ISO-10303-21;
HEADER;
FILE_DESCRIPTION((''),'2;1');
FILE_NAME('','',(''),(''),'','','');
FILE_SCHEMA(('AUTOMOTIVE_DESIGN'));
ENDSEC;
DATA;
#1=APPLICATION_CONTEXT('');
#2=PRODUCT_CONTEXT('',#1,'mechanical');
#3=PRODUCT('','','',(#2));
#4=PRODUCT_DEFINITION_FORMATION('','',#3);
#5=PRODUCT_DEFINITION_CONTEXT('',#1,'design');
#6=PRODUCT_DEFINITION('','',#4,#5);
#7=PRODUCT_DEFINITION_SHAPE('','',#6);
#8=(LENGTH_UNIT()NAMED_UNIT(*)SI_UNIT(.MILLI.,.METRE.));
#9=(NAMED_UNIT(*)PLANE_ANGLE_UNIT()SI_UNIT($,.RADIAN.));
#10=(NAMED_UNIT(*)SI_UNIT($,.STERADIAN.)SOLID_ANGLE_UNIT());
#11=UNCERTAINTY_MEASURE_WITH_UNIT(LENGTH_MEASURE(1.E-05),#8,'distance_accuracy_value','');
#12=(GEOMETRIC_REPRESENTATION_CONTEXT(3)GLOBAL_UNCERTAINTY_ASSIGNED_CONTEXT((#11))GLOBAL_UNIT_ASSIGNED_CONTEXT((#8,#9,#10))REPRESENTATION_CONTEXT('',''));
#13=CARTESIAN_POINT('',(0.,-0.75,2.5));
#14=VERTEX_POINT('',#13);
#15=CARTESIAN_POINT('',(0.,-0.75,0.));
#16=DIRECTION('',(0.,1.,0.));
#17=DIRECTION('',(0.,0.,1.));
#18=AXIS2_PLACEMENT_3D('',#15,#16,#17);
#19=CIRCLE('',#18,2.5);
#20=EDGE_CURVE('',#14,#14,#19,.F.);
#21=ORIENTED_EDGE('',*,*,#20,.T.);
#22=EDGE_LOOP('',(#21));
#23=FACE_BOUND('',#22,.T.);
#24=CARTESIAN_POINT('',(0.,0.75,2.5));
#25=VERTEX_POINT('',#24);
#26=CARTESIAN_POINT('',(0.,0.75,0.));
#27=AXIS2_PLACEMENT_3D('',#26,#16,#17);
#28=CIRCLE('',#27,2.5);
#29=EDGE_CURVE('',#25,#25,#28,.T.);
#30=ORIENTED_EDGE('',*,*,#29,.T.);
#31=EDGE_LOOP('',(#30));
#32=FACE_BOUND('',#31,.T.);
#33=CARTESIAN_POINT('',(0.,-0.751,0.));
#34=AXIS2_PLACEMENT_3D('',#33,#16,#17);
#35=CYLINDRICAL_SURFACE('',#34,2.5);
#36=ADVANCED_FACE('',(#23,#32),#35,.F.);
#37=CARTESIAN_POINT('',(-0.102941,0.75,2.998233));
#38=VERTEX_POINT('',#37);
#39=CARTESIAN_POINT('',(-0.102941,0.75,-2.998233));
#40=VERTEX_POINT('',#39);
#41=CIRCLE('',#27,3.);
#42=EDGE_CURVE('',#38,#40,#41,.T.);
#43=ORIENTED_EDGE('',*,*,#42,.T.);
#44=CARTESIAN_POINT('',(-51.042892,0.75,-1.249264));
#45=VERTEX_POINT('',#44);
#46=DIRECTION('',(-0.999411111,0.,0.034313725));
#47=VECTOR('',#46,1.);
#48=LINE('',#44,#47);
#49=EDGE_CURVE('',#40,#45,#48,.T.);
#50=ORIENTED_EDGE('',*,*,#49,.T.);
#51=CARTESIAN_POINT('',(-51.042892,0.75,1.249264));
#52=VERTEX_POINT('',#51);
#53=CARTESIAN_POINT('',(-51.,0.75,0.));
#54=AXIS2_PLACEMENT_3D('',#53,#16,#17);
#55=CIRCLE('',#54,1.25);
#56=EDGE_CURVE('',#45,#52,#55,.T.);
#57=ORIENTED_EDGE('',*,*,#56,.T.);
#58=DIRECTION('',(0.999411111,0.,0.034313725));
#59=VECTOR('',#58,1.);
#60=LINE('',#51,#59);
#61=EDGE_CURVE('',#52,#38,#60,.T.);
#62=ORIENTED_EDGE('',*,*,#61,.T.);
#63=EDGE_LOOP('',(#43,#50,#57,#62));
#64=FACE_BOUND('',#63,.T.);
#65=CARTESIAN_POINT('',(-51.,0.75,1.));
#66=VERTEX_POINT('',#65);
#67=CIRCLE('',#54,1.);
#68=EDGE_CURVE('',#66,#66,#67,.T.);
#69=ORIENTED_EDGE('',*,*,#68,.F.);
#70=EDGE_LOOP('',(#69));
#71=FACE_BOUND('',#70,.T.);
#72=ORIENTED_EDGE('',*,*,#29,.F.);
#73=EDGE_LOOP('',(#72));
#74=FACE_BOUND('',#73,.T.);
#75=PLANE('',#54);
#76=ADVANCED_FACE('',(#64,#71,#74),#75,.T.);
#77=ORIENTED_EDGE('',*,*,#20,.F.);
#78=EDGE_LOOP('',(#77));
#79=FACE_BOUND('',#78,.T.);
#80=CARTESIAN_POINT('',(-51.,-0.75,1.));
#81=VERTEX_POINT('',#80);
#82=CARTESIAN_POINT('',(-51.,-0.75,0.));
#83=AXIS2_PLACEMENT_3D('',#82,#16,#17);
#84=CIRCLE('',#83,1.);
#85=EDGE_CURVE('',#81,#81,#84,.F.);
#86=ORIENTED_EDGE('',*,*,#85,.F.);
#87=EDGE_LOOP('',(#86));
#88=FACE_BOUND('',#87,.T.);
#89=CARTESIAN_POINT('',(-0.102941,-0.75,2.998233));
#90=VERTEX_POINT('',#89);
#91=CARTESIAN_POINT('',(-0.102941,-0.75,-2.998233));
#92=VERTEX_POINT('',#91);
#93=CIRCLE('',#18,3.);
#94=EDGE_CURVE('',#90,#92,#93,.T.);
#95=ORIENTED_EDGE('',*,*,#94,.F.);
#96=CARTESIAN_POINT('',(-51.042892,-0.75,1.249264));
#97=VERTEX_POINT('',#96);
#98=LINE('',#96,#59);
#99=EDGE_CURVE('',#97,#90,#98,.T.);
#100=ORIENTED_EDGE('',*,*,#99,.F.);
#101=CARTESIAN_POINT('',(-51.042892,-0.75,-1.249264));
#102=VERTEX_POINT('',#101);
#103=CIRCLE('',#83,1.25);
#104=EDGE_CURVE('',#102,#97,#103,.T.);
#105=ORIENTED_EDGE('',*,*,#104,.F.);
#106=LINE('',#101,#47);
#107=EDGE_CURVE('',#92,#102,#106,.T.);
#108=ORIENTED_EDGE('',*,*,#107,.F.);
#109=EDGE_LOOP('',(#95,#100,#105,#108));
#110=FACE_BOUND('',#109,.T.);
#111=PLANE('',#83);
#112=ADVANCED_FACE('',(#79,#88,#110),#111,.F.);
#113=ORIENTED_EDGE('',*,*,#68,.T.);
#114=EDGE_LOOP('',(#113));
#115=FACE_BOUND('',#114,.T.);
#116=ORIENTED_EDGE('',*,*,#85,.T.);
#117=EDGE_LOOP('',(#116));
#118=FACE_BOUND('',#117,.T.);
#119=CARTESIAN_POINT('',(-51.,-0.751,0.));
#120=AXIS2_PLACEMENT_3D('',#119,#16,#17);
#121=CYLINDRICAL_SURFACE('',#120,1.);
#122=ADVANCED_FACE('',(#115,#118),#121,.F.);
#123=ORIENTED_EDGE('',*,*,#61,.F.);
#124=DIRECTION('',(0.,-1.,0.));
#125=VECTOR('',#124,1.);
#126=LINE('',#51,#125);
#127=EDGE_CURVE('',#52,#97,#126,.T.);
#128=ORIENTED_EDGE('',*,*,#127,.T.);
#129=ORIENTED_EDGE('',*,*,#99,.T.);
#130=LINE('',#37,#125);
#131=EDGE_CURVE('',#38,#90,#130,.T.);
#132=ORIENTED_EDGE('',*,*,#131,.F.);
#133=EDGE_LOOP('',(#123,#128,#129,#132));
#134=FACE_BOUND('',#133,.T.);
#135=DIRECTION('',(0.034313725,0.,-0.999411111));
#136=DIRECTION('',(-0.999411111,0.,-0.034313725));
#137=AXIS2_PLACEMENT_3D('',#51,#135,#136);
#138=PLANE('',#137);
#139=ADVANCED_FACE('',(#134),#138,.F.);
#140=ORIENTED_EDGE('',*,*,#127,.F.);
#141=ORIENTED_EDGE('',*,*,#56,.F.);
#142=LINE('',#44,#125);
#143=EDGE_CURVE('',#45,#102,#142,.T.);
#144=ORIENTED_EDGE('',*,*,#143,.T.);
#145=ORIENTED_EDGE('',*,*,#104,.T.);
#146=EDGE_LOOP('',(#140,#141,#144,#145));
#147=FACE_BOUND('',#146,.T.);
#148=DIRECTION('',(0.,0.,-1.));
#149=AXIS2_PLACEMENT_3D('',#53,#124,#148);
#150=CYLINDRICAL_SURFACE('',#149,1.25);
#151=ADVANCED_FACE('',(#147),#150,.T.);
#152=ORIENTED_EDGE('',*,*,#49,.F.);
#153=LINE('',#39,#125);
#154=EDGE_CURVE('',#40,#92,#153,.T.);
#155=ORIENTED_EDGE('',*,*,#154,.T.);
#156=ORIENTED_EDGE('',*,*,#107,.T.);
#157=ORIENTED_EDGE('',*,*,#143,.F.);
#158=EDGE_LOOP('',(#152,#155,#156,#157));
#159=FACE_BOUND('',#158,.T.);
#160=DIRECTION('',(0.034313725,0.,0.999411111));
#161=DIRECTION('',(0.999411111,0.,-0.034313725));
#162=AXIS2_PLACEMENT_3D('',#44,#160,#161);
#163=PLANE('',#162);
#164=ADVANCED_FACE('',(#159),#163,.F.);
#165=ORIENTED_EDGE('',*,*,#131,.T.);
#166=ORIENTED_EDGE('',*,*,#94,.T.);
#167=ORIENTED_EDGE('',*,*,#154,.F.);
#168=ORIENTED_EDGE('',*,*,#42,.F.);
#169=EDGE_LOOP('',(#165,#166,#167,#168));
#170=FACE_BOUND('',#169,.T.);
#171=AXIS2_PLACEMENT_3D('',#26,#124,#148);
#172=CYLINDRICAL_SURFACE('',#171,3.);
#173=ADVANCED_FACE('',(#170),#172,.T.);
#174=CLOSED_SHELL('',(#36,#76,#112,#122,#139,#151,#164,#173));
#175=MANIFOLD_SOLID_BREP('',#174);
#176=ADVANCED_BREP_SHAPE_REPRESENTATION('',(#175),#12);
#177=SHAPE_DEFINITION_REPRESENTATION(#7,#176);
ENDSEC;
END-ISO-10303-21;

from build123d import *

# Parameters (mm, degrees)
BOSS_EXTRUDE1_DEPTH = 0.75
CUT_EXTRUDE1_REACH  = 54.358
SKETCH3_R           = 2.5
SKETCH3_R_2         = 1


with BuildPart() as part:
    # Sketch2 → Boss-Extrude1 (new, symmetric)
    with BuildSketch(Plane(origin=(0, 0, 0), x_dir=(1, 0, 0), z_dir=(0, 1, 0))):
        with BuildLine():
            Line((-51.042892157, 1.249263888), (-0.102941176, 2.998233332))
            ThreePointArc((-0.102941176, 2.998233332), (3, 0), (-0.102941176, -2.998233332))
            Line((-0.102941176, -2.998233332), (-51.042892157, -1.249263888))
            ThreePointArc((-51.042892157, -1.249263888), (-52.25, 0), (-51.042892157, 1.249263888))
        make_face()
    extrude(amount=BOSS_EXTRUDE1_DEPTH, both=True)

    # Sketch3 → Cut-Extrude1 (cut, up to next)
    with BuildSketch(Plane(origin=(0, 0.75, 0), x_dir=(1, 0, 0), z_dir=(0, 1, 0)), mode=Mode.PRIVATE) as cut_extrude1_sk1:
        with Locations(Location((0, 0, 0), (0, 0, 270))):
            Circle(SKETCH3_R)
    cut_extrude1_tool1 = extrude(cut_extrude1_sk1.sketch, amount=-CUT_EXTRUDE1_REACH, mode=Mode.PRIVATE) & part.part
    # Sketch3 → Cut-Extrude1 (cut, up to next)
    with BuildSketch(Plane(origin=(0, 0.75, 0), x_dir=(1, 0, 0), z_dir=(0, 1, 0)), mode=Mode.PRIVATE) as cut_extrude1_sk2:
        with Locations(Location((-51, 0, 0), (0, 0, 270))):
            Circle(SKETCH3_R_2)
    cut_extrude1_tool2 = extrude(cut_extrude1_sk2.sketch, amount=-CUT_EXTRUDE1_REACH, mode=Mode.PRIVATE) & part.part
    add(cut_extrude1_tool1.solids().sort_by_distance((0, 0.75, 0))[0], mode=Mode.SUBTRACT)
    add(cut_extrude1_tool2.solids().sort_by_distance((-51, 0.75, 0))[0], mode=Mode.SUBTRACT)


solid = part.part
